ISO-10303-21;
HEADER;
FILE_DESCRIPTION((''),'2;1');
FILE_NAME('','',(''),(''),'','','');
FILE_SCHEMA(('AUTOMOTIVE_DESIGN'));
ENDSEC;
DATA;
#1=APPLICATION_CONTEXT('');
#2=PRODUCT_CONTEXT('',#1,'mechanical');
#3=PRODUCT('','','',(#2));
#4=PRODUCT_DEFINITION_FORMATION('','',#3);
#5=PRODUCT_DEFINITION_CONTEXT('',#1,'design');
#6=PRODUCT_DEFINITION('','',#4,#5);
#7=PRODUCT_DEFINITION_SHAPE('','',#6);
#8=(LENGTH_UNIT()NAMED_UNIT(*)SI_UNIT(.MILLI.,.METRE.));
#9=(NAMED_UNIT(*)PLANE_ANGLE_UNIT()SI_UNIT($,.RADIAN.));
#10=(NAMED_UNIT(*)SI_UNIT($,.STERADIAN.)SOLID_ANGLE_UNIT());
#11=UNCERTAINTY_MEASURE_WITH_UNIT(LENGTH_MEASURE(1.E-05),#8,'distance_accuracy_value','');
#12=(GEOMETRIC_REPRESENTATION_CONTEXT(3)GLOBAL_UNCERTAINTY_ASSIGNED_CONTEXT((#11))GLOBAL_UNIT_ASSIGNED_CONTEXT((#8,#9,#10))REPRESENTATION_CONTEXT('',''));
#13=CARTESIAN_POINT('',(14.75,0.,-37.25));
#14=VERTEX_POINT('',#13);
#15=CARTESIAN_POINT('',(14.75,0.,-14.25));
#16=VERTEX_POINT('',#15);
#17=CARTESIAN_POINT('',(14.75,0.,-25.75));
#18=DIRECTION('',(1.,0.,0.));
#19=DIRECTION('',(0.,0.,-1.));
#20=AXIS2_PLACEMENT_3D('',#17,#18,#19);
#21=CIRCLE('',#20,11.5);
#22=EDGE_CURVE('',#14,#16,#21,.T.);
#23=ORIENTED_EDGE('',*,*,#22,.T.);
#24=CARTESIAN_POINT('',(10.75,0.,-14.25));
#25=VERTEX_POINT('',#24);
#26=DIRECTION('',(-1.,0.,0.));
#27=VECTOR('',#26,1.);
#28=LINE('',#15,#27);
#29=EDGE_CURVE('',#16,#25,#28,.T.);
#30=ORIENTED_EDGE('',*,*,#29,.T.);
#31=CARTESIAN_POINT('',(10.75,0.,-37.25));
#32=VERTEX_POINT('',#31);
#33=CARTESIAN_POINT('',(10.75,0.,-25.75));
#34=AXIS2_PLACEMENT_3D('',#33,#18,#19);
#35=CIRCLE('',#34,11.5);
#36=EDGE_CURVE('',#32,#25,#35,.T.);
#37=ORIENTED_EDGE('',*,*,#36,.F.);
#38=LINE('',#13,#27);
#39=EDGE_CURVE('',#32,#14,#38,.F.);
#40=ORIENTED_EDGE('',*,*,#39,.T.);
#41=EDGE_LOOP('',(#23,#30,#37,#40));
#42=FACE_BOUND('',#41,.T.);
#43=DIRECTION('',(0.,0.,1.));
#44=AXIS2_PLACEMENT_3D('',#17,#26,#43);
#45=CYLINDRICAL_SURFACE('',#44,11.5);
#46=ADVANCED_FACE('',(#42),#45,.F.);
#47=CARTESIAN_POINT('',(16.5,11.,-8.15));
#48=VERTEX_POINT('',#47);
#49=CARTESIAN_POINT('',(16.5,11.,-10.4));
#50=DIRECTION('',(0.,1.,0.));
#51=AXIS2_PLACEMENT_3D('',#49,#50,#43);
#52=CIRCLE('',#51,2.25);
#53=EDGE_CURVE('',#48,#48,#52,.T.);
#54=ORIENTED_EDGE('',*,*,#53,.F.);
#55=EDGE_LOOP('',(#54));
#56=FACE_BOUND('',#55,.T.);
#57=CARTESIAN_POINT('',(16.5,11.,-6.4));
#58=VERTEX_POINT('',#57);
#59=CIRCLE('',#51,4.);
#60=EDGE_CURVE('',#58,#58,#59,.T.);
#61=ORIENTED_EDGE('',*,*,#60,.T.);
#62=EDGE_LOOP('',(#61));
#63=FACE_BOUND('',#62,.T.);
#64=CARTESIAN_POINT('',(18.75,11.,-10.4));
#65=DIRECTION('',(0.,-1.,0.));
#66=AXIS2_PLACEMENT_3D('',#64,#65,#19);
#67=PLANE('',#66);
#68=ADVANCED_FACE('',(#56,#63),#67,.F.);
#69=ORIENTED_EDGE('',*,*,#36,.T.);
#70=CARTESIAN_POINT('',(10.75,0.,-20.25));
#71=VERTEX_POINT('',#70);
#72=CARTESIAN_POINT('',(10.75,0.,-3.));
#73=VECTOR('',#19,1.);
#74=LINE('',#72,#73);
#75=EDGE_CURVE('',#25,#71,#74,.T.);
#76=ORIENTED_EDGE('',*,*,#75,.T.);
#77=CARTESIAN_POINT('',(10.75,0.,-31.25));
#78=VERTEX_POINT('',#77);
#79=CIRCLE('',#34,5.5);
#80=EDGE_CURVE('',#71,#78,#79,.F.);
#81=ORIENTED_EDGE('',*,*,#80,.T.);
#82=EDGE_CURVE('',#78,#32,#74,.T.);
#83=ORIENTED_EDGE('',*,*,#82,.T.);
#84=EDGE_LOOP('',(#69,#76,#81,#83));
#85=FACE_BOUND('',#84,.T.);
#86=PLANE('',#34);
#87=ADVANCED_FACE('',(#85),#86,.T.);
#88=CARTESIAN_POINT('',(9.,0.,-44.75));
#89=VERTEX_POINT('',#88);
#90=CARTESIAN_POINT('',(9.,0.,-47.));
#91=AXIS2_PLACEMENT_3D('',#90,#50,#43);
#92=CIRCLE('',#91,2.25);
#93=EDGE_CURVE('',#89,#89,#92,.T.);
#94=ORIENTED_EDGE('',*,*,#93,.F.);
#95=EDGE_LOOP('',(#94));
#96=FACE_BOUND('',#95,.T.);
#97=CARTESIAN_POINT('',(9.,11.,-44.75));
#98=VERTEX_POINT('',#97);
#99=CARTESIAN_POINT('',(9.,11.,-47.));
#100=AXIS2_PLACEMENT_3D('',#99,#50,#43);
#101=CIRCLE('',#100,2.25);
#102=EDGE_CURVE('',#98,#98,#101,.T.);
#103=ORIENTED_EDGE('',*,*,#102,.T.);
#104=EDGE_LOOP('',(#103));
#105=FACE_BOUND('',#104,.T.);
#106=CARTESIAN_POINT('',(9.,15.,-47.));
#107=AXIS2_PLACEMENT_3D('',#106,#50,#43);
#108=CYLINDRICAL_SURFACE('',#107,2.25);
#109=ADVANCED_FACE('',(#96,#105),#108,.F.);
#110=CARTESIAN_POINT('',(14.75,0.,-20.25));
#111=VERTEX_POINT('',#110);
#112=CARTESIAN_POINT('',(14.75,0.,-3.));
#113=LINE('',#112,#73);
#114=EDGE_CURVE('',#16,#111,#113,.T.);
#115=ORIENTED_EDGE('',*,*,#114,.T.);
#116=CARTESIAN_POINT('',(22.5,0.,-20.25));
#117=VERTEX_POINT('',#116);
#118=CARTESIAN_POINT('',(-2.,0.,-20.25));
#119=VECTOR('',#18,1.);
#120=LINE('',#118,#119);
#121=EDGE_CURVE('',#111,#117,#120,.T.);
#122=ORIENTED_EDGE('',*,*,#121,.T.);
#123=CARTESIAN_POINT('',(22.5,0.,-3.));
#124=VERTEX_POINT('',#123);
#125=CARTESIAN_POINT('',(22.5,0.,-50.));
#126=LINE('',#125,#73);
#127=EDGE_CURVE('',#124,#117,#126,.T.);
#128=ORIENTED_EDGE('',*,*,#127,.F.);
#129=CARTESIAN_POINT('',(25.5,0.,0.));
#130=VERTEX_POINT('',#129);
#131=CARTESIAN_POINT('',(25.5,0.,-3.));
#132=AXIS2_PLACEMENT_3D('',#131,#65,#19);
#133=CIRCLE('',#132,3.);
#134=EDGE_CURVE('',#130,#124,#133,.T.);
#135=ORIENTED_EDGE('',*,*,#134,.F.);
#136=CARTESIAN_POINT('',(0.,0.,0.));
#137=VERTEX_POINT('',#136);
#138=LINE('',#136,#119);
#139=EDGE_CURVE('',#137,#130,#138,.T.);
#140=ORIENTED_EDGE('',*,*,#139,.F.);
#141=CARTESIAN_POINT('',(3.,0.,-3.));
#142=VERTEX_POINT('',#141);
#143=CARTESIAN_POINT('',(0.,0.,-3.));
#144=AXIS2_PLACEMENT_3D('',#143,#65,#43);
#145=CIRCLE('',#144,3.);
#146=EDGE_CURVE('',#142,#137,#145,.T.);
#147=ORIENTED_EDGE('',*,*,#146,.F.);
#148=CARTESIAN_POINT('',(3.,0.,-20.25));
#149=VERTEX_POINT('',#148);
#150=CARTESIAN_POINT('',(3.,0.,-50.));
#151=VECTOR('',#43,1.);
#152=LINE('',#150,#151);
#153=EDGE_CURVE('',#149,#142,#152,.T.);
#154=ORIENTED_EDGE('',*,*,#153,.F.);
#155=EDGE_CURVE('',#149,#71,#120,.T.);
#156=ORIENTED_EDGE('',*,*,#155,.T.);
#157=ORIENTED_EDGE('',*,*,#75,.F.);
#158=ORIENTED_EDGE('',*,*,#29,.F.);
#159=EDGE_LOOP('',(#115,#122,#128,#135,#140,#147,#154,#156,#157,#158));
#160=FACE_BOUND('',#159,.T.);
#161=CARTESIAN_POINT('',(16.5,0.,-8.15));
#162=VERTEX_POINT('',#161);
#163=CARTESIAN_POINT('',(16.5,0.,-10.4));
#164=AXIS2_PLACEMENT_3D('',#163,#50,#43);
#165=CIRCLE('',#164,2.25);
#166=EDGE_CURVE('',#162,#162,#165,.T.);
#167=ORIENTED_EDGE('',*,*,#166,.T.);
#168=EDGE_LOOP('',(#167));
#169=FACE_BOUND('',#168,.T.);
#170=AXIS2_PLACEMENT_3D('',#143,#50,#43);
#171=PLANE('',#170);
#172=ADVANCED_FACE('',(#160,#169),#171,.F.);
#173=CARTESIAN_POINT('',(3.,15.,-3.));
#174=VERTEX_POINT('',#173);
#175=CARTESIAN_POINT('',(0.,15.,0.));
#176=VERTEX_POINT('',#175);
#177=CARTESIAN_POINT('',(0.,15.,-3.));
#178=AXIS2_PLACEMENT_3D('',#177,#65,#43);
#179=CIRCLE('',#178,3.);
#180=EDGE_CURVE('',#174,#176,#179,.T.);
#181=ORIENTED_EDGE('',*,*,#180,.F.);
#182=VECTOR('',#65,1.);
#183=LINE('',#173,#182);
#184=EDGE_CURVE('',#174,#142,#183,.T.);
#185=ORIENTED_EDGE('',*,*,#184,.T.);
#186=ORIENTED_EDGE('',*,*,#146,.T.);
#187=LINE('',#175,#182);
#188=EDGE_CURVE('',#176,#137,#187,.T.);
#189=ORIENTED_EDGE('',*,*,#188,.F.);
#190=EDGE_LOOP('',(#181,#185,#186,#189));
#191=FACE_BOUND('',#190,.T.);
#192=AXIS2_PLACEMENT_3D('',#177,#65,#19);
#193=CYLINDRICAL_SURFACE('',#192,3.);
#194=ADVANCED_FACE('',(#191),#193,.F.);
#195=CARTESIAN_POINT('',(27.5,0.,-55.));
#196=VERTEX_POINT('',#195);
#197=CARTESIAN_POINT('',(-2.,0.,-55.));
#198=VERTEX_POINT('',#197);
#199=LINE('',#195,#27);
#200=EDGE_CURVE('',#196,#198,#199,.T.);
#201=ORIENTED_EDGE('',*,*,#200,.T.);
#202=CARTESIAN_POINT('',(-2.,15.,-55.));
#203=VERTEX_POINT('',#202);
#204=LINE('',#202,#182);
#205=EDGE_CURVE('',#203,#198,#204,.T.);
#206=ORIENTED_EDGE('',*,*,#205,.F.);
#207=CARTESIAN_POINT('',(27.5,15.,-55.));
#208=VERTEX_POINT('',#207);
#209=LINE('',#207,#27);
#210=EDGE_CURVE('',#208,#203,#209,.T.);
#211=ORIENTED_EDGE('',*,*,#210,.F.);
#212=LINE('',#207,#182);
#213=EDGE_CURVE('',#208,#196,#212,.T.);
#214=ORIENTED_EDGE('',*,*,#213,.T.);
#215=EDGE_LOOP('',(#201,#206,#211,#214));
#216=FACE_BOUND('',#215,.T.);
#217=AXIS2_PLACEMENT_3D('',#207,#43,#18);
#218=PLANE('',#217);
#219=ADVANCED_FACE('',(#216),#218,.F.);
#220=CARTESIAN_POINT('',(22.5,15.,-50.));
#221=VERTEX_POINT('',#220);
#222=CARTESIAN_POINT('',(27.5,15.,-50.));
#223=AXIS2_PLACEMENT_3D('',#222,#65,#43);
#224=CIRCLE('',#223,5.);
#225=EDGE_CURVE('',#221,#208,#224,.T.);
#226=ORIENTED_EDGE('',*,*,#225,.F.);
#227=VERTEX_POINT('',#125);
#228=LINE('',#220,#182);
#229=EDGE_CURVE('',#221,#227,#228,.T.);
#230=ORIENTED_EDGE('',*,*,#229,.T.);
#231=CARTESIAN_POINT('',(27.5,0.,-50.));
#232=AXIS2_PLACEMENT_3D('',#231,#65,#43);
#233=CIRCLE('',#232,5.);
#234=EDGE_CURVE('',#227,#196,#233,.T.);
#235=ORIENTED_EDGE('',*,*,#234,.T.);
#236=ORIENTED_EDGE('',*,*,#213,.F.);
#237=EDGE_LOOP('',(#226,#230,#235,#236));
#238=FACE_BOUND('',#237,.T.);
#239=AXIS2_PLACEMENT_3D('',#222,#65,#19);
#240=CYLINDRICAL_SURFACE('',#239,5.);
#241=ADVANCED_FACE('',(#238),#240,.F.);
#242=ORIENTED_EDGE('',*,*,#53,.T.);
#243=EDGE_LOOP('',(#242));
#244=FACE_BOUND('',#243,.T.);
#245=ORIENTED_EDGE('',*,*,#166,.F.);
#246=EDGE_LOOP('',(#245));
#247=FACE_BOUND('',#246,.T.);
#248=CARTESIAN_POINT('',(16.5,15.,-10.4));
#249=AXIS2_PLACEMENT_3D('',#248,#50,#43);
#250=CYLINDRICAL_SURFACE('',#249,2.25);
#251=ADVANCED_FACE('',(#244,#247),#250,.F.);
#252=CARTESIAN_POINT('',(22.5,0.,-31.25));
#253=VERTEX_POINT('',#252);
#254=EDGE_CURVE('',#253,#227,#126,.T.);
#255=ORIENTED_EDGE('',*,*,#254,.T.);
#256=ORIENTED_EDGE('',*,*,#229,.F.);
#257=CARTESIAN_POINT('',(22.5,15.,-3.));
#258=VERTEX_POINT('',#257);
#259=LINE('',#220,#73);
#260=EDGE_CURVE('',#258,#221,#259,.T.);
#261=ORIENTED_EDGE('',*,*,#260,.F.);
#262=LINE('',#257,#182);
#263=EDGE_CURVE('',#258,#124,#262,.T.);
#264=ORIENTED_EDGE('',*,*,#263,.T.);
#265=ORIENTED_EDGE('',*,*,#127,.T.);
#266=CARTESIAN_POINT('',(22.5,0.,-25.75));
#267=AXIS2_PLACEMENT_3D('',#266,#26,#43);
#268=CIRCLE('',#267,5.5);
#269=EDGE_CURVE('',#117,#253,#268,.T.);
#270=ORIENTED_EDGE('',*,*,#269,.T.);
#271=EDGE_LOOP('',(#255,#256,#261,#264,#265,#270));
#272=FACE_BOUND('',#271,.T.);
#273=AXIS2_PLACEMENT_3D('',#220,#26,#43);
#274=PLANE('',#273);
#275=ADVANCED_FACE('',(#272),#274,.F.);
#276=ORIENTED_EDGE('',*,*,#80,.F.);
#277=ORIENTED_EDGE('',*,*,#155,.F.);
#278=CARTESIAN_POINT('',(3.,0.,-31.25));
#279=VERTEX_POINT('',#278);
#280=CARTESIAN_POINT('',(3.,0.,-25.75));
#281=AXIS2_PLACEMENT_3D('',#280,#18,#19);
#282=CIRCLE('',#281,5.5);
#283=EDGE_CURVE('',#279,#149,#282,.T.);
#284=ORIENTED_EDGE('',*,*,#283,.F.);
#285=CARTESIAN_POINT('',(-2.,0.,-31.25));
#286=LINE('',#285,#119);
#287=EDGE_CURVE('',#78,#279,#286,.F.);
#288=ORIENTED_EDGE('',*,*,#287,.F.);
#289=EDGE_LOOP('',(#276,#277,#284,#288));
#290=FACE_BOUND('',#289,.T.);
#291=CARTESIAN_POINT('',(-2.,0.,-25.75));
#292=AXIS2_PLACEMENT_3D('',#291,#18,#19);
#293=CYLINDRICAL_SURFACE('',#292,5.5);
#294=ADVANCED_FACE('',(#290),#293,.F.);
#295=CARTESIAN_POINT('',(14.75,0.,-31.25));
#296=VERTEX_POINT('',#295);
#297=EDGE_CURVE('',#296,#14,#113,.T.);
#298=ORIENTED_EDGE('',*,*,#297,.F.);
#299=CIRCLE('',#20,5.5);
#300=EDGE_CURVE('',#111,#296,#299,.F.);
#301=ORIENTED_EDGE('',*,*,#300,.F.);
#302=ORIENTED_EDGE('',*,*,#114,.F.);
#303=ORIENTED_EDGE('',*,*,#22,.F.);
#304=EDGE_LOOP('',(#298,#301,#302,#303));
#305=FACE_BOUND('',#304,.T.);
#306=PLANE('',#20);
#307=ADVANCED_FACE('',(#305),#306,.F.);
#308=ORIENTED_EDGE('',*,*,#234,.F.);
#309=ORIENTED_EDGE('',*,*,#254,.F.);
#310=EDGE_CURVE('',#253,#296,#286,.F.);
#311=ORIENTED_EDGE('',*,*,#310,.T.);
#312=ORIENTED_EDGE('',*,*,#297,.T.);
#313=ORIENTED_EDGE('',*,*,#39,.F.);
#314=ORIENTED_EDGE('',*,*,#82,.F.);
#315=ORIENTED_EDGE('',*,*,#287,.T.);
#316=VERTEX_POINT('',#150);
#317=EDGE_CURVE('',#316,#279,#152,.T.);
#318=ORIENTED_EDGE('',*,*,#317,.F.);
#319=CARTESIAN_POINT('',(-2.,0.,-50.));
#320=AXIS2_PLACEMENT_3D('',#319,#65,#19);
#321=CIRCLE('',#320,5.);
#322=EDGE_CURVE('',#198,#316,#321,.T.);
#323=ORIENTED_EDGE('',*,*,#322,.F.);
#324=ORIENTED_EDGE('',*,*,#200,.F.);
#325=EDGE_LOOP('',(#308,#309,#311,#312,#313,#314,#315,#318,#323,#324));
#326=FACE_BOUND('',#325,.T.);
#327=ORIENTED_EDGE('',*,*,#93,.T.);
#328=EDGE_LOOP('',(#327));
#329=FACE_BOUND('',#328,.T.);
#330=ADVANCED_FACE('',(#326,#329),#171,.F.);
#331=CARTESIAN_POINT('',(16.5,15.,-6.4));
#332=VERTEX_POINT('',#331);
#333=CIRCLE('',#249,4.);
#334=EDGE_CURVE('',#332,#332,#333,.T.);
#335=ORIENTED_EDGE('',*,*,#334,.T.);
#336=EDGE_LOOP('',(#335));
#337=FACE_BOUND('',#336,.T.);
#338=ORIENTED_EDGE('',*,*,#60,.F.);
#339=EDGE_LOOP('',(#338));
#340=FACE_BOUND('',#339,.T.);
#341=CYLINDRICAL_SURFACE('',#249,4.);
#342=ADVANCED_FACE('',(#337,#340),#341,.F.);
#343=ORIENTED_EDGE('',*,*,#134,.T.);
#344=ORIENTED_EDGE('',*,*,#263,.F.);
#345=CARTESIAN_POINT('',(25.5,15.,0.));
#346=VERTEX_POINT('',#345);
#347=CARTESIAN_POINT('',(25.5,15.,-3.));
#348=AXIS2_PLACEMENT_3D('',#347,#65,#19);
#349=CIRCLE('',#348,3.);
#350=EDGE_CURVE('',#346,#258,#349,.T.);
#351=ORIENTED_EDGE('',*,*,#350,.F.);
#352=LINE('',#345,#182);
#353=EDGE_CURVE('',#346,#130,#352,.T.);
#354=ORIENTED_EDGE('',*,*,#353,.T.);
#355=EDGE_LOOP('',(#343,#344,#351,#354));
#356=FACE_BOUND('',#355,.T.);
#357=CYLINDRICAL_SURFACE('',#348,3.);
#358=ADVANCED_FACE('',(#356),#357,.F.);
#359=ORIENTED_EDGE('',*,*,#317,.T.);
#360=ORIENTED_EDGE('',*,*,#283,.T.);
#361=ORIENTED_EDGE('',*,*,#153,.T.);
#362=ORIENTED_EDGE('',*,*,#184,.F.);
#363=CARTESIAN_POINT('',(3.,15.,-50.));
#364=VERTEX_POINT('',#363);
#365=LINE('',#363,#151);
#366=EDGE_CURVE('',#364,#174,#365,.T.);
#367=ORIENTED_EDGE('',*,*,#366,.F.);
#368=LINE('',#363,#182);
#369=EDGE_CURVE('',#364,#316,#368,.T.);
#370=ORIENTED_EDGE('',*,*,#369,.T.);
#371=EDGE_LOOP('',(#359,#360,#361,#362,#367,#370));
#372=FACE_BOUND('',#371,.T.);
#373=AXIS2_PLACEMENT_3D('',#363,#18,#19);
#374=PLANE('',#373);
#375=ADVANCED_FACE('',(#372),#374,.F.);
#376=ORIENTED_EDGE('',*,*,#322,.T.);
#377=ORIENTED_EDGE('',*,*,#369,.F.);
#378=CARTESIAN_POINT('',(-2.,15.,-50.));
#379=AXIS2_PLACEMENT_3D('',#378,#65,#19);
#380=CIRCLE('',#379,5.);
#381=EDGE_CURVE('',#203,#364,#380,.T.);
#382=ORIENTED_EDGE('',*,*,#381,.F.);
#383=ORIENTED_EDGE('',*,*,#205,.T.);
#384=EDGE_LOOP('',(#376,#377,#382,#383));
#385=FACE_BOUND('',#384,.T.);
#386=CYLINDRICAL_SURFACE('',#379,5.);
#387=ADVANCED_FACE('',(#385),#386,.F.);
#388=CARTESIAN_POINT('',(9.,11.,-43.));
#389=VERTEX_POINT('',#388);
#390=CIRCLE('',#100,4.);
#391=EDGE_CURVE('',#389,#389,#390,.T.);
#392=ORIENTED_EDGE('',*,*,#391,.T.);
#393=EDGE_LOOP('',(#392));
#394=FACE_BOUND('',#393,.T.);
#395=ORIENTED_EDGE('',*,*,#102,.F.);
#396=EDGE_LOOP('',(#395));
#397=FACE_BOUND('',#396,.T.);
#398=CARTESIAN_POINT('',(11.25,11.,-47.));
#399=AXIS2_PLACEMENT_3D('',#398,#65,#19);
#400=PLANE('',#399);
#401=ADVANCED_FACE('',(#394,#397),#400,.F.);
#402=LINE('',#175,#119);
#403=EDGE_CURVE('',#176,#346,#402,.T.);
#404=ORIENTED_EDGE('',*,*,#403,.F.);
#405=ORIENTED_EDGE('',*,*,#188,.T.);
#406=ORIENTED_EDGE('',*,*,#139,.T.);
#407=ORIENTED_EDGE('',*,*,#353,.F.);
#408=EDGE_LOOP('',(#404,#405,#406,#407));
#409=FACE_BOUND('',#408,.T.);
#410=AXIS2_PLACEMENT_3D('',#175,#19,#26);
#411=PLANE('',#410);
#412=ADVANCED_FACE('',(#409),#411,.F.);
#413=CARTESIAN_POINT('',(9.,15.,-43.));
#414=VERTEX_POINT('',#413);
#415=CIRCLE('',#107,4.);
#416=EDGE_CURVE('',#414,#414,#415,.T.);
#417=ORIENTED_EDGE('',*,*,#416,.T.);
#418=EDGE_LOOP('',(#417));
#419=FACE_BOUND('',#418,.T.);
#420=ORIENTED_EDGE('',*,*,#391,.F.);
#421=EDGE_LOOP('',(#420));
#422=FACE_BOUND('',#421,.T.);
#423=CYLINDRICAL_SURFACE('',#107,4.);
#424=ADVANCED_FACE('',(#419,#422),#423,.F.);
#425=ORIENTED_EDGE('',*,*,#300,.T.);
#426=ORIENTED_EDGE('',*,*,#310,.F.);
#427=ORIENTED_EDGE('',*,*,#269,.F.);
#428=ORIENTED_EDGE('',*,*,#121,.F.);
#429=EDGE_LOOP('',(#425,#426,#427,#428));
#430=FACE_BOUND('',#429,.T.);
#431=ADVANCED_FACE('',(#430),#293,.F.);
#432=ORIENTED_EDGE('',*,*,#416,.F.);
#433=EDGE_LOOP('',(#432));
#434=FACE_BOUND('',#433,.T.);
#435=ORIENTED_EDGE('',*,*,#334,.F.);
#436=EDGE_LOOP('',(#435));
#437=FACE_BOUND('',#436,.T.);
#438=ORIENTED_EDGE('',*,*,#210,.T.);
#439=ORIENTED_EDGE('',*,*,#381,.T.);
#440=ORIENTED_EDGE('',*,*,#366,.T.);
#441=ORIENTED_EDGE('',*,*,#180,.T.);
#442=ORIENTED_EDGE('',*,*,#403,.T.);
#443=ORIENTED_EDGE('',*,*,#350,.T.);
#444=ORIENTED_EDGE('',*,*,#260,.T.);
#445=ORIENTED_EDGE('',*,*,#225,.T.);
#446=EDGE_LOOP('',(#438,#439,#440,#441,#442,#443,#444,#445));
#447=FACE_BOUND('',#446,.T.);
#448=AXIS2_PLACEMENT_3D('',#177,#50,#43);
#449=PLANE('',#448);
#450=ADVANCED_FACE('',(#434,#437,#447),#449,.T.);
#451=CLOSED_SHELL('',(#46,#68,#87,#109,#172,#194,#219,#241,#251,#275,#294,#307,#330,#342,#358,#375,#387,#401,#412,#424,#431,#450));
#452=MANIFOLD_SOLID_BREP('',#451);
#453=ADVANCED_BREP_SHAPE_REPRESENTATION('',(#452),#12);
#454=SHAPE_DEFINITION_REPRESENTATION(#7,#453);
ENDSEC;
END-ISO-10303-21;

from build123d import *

# Parameters (mm, degrees)
CORPO_DEPTH                            = 15
ENCAIXE_FLANGE_11_PASSANTE_DEPTH       = 59.88601277
ENCAIXE_FLANGE_11_PASSANTE_DEPTH_BACK  = 59.88601277
ESBO_O3_R                              = 5.5
ENCAIXE_FLANGE_23X4_DEPTH              = 2
ENCAIXE_FLANGE_23X4_DEPTH_BACK         = 2
ESBO_O4_R                              = 11.5
REBAIXO_M4_FUROS_DE_FIXA_O_D           = 4.5
REBAIXO_M4_FUROS_DE_FIXA_O_CBORE_D     = 8
REBAIXO_M4_FUROS_DE_FIXA_O_CBORE_DEPTH = 4


with BuildPart() as part:
    # Esboço1 → Corpo (new body)
    with BuildSketch(Plane(origin=(0, 0, 0), x_dir=(1, 0, 0), z_dir=(0, 1, 0))):
        with BuildLine():
            Line((3, 50), (3, 3))
            ThreePointArc((3, 3), (2.121320344, 0.878679656), (0, 0))
            Line((0, 0), (25.5, 0))
            ThreePointArc((25.5, 0), (23.378679656, 0.878679656), (22.5, 3))
            Line((22.5, 3), (22.5, 50))
            ThreePointArc((22.5, 50), (23.964466094, 53.535533906), (27.5, 55))
            Line((27.5, 55), (-2, 55))
            ThreePointArc((-2, 55), (1.535533906, 53.535533906), (3, 50))
        make_face()
    extrude(amount=CORPO_DEPTH)

    # Esboço3 → Encaixe Flange - Ø11 Passante (cut, two sides: drawn at the far end of the back side and taken through both)
    with BuildSketch(Plane(origin=(12.75, 0, 0), x_dir=(0, 0, -1), z_dir=(1, 0, 0)).offset(-ENCAIXE_FLANGE_11_PASSANTE_DEPTH_BACK)):
        with Locations((25.75, 0)):
            Circle(ESBO_O3_R)
    extrude(amount=ENCAIXE_FLANGE_11_PASSANTE_DEPTH + ENCAIXE_FLANGE_11_PASSANTE_DEPTH_BACK, mode=Mode.SUBTRACT)

    # Esboço4 → Encaixe Flange - Ø23x4 (cut, two sides: drawn at the far end of the back side and taken through both)
    with BuildSketch(Plane(origin=(12.75, 0, 0), x_dir=(0, 0, -1), z_dir=(1, 0, 0)).offset(-ENCAIXE_FLANGE_23X4_DEPTH_BACK)):
        with Locations((25.75, 0)):
            Circle(ESBO_O4_R)
    extrude(amount=ENCAIXE_FLANGE_23X4_DEPTH + ENCAIXE_FLANGE_23X4_DEPTH_BACK, mode=Mode.SUBTRACT)

    # Rebaixo M4 - Furos de Fixação (through all)
    with Locations(Plane(origin=(0, 15, 0), x_dir=(1, 0, 0), z_dir=(0, 1, 0))):
        with Locations((16.5, 10.4), (9, 47)):
            CounterBoreHole(REBAIXO_M4_FUROS_DE_FIXA_O_D / 2, REBAIXO_M4_FUROS_DE_FIXA_O_CBORE_D / 2, REBAIXO_M4_FUROS_DE_FIXA_O_CBORE_DEPTH)


solid = part.part
